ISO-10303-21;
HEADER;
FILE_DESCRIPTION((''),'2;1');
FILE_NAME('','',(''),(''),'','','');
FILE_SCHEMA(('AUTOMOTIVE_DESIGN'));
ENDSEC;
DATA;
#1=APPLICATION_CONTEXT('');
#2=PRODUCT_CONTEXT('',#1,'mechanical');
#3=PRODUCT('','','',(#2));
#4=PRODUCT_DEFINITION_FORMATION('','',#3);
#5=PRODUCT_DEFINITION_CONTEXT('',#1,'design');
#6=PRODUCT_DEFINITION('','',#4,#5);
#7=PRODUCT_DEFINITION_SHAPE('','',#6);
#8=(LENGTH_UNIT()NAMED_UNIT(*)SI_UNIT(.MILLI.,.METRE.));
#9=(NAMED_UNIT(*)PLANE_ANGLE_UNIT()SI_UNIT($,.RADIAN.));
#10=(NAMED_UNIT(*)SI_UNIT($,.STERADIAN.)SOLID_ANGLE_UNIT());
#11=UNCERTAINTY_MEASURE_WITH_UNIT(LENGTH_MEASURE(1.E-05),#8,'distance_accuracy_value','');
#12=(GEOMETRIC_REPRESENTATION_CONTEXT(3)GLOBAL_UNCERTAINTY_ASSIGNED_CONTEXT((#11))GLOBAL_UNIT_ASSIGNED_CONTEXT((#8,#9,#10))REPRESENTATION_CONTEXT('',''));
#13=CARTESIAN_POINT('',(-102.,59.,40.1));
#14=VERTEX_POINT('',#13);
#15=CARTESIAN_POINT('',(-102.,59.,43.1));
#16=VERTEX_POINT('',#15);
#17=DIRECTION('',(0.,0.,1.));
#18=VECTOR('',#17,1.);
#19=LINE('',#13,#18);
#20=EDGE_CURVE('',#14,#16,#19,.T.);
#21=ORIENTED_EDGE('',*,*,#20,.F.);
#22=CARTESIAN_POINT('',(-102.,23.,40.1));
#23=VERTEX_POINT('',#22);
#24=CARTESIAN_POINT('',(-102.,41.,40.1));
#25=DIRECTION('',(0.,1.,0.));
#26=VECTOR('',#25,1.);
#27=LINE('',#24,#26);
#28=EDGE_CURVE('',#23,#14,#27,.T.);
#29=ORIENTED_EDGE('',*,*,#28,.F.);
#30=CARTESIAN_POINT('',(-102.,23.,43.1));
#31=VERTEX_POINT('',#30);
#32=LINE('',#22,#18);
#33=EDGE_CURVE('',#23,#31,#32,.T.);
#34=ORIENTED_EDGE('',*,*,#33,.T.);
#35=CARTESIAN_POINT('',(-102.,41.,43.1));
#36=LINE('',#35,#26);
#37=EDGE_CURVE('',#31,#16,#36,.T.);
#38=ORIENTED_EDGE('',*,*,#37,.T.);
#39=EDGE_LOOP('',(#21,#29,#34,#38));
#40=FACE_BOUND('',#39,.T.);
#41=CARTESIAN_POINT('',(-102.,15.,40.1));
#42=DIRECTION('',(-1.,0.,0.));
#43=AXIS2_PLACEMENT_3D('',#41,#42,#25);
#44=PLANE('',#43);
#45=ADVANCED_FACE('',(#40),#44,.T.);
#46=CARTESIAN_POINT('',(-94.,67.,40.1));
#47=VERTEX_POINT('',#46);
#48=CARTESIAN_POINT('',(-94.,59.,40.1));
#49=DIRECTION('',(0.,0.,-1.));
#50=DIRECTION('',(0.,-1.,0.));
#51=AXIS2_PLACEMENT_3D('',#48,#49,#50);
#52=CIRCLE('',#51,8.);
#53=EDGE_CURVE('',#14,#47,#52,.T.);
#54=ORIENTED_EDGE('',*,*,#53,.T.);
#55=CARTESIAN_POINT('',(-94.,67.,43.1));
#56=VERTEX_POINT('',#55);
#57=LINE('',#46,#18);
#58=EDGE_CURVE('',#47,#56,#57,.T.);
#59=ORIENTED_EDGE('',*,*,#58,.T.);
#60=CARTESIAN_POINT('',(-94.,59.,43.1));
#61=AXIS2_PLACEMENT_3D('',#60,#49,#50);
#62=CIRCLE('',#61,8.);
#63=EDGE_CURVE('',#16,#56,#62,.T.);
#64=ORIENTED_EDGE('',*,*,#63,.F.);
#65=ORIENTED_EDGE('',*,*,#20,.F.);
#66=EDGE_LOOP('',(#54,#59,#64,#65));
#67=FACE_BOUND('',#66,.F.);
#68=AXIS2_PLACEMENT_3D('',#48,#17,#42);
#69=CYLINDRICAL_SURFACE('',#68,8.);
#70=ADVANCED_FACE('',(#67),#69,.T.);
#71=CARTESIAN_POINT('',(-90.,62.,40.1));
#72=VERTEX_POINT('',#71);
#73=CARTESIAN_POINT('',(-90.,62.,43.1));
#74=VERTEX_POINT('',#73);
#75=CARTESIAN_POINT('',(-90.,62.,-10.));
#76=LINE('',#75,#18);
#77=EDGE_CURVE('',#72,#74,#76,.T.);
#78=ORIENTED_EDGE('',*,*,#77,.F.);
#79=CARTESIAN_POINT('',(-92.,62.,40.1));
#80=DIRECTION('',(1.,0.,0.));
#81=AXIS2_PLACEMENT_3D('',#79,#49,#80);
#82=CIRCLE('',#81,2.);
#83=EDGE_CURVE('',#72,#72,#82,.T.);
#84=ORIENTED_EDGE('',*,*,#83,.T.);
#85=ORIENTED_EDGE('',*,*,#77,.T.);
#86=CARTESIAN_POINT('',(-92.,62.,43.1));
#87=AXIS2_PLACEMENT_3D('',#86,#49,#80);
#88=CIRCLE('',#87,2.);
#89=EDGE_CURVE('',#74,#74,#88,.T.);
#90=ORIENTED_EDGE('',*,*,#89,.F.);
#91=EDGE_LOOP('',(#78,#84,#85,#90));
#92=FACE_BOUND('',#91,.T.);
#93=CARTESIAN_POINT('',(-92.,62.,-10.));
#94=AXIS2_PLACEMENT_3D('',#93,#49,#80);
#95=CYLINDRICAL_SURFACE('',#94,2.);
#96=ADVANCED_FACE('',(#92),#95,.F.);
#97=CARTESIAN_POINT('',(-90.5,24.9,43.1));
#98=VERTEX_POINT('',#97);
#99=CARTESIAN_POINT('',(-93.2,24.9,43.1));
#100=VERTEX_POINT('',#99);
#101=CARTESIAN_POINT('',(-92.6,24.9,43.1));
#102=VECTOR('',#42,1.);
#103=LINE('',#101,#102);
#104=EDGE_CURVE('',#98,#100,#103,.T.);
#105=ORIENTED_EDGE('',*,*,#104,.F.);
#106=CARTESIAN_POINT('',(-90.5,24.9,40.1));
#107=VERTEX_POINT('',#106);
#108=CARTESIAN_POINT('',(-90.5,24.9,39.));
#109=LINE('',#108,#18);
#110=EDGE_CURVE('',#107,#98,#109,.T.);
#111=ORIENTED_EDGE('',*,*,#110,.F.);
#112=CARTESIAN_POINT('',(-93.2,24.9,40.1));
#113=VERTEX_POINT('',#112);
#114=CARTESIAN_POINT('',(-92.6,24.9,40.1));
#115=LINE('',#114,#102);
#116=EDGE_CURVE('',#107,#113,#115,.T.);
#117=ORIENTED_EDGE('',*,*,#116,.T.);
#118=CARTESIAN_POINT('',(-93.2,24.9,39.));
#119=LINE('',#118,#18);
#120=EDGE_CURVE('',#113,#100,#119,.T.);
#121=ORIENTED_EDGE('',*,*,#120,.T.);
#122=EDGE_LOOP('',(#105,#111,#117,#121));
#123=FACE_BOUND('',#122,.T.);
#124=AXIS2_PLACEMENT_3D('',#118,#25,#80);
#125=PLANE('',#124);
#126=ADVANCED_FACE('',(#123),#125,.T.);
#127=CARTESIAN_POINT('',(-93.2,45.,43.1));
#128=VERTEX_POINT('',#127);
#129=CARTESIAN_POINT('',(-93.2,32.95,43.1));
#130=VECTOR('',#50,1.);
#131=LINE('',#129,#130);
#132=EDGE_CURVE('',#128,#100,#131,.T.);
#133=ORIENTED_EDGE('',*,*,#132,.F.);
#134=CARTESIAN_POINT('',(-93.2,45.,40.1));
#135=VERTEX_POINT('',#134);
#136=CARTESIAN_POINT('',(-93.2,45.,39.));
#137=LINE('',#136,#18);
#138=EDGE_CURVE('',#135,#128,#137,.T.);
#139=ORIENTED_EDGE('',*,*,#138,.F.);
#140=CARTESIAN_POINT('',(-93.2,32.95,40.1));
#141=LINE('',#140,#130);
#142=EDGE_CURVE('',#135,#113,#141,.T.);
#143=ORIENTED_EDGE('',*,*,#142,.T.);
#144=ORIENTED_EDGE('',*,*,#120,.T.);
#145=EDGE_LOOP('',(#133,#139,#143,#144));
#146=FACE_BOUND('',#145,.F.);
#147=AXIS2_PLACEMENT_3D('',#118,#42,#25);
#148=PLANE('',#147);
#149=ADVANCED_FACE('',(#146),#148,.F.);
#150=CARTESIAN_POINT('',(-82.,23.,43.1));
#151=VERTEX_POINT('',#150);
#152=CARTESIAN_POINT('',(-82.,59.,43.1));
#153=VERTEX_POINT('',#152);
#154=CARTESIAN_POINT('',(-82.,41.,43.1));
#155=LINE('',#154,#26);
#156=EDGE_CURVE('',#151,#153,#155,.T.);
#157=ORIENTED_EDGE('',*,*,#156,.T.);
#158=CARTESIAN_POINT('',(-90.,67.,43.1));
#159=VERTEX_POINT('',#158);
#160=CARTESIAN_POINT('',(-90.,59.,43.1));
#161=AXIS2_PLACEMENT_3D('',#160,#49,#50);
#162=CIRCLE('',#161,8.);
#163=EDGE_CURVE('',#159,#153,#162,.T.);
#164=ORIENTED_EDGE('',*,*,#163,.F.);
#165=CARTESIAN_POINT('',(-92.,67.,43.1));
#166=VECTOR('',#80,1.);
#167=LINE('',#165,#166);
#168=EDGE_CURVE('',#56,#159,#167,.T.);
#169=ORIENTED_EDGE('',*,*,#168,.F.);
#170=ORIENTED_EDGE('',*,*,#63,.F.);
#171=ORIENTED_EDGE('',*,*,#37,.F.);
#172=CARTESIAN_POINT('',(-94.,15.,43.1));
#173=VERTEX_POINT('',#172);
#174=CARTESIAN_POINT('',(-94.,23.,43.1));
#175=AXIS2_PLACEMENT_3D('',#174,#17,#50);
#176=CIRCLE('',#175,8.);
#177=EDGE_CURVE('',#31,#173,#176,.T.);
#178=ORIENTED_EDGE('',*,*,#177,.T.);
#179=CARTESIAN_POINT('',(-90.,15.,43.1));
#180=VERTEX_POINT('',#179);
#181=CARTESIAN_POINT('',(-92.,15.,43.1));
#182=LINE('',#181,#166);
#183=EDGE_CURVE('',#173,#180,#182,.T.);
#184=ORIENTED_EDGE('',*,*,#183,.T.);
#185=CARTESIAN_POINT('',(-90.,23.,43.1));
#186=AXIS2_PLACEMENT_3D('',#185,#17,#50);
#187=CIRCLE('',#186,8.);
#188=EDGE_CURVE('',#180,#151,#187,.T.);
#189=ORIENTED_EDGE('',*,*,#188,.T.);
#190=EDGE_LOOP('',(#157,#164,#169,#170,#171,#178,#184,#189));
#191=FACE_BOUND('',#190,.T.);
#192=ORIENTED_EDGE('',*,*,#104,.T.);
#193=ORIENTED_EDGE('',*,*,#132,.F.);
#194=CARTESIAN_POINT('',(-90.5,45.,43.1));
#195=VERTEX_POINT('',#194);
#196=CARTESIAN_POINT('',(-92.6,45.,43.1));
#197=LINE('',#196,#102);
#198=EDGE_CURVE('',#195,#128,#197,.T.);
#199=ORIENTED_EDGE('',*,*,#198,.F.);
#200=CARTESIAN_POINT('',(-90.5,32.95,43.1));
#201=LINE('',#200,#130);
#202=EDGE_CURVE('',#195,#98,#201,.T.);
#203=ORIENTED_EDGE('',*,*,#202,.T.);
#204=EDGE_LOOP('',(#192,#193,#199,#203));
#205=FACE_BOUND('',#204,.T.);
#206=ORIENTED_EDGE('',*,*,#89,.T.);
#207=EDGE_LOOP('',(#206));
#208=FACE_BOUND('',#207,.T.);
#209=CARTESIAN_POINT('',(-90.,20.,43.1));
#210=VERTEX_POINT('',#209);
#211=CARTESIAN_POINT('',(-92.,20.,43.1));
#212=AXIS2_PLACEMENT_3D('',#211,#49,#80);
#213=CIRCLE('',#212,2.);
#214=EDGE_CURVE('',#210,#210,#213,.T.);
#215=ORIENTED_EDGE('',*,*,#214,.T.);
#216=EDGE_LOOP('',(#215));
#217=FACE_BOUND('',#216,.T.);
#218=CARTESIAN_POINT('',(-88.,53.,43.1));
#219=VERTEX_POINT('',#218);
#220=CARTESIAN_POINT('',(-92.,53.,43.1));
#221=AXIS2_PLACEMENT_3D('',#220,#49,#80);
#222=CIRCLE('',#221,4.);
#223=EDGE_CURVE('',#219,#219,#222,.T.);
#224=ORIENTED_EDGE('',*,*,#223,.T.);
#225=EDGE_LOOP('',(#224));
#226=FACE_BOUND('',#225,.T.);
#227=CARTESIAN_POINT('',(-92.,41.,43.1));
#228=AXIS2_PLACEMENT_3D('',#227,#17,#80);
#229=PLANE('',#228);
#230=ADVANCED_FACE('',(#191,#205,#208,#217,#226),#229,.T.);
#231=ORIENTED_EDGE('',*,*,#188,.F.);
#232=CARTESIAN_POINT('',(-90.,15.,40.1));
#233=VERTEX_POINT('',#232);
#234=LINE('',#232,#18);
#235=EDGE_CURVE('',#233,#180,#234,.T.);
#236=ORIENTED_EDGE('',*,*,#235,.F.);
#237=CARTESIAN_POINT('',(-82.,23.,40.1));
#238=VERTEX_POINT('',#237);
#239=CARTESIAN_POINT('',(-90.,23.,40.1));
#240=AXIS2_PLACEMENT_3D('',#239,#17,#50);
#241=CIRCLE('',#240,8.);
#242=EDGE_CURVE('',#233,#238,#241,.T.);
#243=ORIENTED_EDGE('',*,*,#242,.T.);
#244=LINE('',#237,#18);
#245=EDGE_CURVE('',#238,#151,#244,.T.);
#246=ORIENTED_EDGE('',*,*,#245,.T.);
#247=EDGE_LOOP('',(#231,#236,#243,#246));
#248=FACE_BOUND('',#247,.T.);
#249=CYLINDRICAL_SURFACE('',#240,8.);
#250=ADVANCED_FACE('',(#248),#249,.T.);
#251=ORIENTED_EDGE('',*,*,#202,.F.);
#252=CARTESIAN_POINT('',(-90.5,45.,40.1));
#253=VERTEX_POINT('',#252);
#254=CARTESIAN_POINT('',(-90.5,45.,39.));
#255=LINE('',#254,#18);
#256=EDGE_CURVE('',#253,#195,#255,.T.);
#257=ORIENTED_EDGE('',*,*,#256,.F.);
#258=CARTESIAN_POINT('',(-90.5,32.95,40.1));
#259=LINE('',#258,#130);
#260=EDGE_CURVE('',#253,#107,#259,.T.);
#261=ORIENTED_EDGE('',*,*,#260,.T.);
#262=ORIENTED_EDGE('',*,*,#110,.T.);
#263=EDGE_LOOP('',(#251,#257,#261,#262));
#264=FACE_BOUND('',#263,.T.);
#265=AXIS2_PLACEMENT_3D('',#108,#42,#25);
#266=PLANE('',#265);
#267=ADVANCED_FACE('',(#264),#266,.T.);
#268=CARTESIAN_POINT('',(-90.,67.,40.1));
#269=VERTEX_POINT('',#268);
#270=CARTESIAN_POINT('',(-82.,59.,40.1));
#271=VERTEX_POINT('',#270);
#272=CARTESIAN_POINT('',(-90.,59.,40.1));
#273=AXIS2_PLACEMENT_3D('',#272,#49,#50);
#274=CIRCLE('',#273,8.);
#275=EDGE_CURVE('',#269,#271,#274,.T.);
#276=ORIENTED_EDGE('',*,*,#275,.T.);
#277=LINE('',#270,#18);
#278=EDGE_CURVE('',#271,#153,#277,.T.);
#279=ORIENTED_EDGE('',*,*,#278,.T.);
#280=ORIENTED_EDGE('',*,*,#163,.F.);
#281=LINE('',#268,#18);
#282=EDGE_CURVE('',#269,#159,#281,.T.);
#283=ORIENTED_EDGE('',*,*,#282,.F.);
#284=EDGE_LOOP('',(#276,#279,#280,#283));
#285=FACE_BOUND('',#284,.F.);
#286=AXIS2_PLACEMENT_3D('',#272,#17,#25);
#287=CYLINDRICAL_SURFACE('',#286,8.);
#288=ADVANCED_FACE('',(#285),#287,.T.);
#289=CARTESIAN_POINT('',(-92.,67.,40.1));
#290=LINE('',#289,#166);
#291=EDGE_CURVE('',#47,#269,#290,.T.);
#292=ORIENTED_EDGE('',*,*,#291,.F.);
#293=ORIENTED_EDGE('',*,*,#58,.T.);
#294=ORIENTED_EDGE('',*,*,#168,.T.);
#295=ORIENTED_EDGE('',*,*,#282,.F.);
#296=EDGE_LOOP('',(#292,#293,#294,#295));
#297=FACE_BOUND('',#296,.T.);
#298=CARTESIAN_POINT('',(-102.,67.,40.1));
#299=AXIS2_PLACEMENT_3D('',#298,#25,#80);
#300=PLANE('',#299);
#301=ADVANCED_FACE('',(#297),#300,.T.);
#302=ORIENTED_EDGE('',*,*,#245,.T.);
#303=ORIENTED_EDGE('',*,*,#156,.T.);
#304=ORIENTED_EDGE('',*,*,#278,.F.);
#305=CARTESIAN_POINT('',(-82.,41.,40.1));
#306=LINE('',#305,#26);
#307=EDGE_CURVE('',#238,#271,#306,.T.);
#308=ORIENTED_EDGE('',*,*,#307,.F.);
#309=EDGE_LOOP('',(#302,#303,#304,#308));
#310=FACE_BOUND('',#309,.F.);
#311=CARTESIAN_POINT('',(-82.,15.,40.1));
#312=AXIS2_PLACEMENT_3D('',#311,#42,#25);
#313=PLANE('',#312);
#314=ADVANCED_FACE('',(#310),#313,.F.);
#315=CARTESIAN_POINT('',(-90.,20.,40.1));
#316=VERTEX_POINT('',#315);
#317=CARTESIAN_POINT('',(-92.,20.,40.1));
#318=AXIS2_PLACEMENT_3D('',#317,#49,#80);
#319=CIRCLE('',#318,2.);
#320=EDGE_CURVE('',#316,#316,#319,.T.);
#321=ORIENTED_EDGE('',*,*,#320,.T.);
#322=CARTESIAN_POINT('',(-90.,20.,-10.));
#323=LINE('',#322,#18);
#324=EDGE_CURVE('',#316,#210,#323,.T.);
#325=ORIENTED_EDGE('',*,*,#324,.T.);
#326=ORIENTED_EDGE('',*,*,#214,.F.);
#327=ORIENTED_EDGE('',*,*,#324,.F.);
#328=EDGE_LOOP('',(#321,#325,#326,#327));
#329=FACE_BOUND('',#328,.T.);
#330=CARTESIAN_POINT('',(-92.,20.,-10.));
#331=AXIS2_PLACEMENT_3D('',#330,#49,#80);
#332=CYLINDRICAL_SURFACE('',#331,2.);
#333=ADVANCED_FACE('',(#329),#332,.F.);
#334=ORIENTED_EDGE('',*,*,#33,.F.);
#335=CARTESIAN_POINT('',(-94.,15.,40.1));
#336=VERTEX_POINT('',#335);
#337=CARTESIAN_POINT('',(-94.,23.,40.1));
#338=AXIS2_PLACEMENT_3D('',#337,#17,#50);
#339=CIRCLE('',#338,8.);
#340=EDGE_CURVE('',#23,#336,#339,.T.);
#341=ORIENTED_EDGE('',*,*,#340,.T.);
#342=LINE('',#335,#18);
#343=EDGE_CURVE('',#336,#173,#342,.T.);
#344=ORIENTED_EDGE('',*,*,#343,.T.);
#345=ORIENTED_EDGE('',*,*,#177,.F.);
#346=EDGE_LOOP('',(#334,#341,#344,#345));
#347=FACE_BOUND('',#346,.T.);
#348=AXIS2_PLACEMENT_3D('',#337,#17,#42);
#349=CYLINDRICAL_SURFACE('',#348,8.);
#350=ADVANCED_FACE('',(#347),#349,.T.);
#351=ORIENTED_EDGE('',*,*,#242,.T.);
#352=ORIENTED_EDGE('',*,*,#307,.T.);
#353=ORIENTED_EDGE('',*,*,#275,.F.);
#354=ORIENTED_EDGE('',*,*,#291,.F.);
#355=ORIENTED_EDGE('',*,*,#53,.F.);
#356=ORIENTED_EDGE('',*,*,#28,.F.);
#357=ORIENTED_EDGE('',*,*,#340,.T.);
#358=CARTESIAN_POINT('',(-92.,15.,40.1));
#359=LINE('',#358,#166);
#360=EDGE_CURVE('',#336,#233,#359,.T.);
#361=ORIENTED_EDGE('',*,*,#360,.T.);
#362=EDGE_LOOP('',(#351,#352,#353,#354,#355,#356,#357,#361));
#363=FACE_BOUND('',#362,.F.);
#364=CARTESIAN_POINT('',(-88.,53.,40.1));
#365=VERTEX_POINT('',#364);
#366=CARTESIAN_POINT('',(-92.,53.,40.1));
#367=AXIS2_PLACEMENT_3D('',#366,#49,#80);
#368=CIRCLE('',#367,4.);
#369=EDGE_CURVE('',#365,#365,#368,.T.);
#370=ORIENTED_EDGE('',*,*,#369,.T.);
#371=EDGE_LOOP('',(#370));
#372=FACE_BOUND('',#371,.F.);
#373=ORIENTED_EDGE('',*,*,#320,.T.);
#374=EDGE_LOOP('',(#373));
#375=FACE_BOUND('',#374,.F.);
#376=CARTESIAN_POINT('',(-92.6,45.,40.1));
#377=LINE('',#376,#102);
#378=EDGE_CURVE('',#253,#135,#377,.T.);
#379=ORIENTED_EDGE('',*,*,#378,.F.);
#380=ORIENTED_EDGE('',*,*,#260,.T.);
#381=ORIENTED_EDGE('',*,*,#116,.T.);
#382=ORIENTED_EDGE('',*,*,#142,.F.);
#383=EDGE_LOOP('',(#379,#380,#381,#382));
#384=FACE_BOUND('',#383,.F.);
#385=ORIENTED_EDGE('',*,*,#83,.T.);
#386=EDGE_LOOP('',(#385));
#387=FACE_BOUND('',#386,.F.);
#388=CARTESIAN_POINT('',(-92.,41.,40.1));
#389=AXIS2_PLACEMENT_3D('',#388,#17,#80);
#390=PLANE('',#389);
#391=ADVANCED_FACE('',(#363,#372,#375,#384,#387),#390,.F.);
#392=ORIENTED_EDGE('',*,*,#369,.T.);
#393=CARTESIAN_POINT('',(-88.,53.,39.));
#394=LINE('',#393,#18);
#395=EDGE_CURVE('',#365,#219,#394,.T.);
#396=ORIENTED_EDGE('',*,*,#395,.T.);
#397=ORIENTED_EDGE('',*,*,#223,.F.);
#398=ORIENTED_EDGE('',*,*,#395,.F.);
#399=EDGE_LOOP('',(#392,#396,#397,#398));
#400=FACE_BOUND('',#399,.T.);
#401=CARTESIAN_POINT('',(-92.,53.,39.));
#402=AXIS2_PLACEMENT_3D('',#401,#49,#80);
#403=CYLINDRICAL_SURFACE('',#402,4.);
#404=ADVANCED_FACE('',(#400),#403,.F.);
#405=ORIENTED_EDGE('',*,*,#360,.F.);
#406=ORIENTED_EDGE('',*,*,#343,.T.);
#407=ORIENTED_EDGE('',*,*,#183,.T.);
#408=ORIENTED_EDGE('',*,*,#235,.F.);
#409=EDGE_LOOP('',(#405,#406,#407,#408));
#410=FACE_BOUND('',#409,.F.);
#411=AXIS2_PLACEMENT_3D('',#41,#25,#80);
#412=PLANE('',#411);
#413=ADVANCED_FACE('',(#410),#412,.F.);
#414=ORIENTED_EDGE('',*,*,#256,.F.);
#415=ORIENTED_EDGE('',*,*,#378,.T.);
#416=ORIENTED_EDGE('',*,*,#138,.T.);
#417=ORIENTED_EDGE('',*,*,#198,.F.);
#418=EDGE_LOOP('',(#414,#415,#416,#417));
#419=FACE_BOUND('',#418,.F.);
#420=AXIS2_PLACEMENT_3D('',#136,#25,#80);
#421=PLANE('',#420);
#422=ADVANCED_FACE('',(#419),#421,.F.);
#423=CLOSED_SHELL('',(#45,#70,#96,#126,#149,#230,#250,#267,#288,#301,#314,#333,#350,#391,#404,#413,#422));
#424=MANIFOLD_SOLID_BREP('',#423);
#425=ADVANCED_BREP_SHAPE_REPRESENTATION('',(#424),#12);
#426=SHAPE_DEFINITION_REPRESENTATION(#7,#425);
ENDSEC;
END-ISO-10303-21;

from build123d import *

# Parameters (mm, degrees)
CYLINDER375_R     = 2
CYLINDER375_DEPTH = 65
CYLINDER376_R     = 2
CYLINDER376_DEPTH = 65
CYLINDER374_R     = 4
CYLINDER374_DEPTH = 5
BOX467_W          = 2.7
BOX467_H          = 20.1
BOX467_DEPTH      = 5
BOX466_W          = 20
BOX466_H          = 52
BOX466_DEPTH      = 3
FILLET017_R       = 8


with BuildPart() as cylinder375:
    # Cylinder375 → Cylinder375 (new body)
    with BuildSketch(Plane(origin=(-90, -103, -10), x_dir=(1, 0, 0), z_dir=(0, 0, 1))):
        Circle(CYLINDER375_R)
    extrude(amount=CYLINDER375_DEPTH)


with BuildPart() as fusion370:
    # Cylinder376 → Cylinder376 (new body)
    with BuildSketch(Plane(origin=(-90, -61, -10), x_dir=(1, 0, 0), z_dir=(0, 0, 1))):
        Circle(CYLINDER376_R)
    extrude(amount=CYLINDER376_DEPTH)

    # Fusion370: union Cylinder375
    add(cylinder375.part)


with BuildPart() as fusion370_1:
    # Fusion370 placement: moved
    add(fusion370.part.moved(Location((-2, 0, 0))))


with BuildPart() as cylinder374:
    # Cylinder374 → Cylinder374 (new body)
    with BuildSketch(Plane(origin=(-92, -70, 39), x_dir=(1, 0, 0), z_dir=(0, 0, 1))):
        Circle(CYLINDER374_R)
    extrude(amount=CYLINDER374_DEPTH)


with BuildPart() as box467:
    # Box467 → Box467 (new body)
    with BuildSketch(Plane(origin=(-93.2, -98.1, 39), x_dir=(1, 0, 0), z_dir=(0, 0, 1))):
        with Locations((1.35, 10.05)):
            Rectangle(BOX467_W, BOX467_H)
    extrude(amount=BOX467_DEPTH)


with BuildPart() as cut405:
    # Box466 → Box466 (new body)
    with BuildSketch(Plane(origin=(-102, -108, 40.1), x_dir=(1, 0, 0), z_dir=(0, 0, 1))):
        with Locations((10, 26)):
            Rectangle(BOX466_W, BOX466_H)
    extrude(amount=BOX466_DEPTH)

    # Cut403: cut Box467
    add(box467.part, mode=Mode.SUBTRACT)

    # Fillet017
    fillet017_edges = [cut405.edges().sort_by_distance(p)[0] for p in [
        (-102, -108, 41.6),
        (-102, -56, 41.6),
        (-82, -108, 41.6),
        (-82, -56, 41.6),
    ]]
    fillet(fillet017_edges, radius=FILLET017_R)

    # Cut404: cut Cylinder374
    add(cylinder374.part, mode=Mode.SUBTRACT)

    # Cut405: cut Fusion370
    add(fusion370_1.part, mode=Mode.SUBTRACT)


with BuildPart() as cut405_1:
    # Cut405 placement: moved
    add(cut405.part.moved(Location((0, 123, 0))))


solid = cut405_1.part
